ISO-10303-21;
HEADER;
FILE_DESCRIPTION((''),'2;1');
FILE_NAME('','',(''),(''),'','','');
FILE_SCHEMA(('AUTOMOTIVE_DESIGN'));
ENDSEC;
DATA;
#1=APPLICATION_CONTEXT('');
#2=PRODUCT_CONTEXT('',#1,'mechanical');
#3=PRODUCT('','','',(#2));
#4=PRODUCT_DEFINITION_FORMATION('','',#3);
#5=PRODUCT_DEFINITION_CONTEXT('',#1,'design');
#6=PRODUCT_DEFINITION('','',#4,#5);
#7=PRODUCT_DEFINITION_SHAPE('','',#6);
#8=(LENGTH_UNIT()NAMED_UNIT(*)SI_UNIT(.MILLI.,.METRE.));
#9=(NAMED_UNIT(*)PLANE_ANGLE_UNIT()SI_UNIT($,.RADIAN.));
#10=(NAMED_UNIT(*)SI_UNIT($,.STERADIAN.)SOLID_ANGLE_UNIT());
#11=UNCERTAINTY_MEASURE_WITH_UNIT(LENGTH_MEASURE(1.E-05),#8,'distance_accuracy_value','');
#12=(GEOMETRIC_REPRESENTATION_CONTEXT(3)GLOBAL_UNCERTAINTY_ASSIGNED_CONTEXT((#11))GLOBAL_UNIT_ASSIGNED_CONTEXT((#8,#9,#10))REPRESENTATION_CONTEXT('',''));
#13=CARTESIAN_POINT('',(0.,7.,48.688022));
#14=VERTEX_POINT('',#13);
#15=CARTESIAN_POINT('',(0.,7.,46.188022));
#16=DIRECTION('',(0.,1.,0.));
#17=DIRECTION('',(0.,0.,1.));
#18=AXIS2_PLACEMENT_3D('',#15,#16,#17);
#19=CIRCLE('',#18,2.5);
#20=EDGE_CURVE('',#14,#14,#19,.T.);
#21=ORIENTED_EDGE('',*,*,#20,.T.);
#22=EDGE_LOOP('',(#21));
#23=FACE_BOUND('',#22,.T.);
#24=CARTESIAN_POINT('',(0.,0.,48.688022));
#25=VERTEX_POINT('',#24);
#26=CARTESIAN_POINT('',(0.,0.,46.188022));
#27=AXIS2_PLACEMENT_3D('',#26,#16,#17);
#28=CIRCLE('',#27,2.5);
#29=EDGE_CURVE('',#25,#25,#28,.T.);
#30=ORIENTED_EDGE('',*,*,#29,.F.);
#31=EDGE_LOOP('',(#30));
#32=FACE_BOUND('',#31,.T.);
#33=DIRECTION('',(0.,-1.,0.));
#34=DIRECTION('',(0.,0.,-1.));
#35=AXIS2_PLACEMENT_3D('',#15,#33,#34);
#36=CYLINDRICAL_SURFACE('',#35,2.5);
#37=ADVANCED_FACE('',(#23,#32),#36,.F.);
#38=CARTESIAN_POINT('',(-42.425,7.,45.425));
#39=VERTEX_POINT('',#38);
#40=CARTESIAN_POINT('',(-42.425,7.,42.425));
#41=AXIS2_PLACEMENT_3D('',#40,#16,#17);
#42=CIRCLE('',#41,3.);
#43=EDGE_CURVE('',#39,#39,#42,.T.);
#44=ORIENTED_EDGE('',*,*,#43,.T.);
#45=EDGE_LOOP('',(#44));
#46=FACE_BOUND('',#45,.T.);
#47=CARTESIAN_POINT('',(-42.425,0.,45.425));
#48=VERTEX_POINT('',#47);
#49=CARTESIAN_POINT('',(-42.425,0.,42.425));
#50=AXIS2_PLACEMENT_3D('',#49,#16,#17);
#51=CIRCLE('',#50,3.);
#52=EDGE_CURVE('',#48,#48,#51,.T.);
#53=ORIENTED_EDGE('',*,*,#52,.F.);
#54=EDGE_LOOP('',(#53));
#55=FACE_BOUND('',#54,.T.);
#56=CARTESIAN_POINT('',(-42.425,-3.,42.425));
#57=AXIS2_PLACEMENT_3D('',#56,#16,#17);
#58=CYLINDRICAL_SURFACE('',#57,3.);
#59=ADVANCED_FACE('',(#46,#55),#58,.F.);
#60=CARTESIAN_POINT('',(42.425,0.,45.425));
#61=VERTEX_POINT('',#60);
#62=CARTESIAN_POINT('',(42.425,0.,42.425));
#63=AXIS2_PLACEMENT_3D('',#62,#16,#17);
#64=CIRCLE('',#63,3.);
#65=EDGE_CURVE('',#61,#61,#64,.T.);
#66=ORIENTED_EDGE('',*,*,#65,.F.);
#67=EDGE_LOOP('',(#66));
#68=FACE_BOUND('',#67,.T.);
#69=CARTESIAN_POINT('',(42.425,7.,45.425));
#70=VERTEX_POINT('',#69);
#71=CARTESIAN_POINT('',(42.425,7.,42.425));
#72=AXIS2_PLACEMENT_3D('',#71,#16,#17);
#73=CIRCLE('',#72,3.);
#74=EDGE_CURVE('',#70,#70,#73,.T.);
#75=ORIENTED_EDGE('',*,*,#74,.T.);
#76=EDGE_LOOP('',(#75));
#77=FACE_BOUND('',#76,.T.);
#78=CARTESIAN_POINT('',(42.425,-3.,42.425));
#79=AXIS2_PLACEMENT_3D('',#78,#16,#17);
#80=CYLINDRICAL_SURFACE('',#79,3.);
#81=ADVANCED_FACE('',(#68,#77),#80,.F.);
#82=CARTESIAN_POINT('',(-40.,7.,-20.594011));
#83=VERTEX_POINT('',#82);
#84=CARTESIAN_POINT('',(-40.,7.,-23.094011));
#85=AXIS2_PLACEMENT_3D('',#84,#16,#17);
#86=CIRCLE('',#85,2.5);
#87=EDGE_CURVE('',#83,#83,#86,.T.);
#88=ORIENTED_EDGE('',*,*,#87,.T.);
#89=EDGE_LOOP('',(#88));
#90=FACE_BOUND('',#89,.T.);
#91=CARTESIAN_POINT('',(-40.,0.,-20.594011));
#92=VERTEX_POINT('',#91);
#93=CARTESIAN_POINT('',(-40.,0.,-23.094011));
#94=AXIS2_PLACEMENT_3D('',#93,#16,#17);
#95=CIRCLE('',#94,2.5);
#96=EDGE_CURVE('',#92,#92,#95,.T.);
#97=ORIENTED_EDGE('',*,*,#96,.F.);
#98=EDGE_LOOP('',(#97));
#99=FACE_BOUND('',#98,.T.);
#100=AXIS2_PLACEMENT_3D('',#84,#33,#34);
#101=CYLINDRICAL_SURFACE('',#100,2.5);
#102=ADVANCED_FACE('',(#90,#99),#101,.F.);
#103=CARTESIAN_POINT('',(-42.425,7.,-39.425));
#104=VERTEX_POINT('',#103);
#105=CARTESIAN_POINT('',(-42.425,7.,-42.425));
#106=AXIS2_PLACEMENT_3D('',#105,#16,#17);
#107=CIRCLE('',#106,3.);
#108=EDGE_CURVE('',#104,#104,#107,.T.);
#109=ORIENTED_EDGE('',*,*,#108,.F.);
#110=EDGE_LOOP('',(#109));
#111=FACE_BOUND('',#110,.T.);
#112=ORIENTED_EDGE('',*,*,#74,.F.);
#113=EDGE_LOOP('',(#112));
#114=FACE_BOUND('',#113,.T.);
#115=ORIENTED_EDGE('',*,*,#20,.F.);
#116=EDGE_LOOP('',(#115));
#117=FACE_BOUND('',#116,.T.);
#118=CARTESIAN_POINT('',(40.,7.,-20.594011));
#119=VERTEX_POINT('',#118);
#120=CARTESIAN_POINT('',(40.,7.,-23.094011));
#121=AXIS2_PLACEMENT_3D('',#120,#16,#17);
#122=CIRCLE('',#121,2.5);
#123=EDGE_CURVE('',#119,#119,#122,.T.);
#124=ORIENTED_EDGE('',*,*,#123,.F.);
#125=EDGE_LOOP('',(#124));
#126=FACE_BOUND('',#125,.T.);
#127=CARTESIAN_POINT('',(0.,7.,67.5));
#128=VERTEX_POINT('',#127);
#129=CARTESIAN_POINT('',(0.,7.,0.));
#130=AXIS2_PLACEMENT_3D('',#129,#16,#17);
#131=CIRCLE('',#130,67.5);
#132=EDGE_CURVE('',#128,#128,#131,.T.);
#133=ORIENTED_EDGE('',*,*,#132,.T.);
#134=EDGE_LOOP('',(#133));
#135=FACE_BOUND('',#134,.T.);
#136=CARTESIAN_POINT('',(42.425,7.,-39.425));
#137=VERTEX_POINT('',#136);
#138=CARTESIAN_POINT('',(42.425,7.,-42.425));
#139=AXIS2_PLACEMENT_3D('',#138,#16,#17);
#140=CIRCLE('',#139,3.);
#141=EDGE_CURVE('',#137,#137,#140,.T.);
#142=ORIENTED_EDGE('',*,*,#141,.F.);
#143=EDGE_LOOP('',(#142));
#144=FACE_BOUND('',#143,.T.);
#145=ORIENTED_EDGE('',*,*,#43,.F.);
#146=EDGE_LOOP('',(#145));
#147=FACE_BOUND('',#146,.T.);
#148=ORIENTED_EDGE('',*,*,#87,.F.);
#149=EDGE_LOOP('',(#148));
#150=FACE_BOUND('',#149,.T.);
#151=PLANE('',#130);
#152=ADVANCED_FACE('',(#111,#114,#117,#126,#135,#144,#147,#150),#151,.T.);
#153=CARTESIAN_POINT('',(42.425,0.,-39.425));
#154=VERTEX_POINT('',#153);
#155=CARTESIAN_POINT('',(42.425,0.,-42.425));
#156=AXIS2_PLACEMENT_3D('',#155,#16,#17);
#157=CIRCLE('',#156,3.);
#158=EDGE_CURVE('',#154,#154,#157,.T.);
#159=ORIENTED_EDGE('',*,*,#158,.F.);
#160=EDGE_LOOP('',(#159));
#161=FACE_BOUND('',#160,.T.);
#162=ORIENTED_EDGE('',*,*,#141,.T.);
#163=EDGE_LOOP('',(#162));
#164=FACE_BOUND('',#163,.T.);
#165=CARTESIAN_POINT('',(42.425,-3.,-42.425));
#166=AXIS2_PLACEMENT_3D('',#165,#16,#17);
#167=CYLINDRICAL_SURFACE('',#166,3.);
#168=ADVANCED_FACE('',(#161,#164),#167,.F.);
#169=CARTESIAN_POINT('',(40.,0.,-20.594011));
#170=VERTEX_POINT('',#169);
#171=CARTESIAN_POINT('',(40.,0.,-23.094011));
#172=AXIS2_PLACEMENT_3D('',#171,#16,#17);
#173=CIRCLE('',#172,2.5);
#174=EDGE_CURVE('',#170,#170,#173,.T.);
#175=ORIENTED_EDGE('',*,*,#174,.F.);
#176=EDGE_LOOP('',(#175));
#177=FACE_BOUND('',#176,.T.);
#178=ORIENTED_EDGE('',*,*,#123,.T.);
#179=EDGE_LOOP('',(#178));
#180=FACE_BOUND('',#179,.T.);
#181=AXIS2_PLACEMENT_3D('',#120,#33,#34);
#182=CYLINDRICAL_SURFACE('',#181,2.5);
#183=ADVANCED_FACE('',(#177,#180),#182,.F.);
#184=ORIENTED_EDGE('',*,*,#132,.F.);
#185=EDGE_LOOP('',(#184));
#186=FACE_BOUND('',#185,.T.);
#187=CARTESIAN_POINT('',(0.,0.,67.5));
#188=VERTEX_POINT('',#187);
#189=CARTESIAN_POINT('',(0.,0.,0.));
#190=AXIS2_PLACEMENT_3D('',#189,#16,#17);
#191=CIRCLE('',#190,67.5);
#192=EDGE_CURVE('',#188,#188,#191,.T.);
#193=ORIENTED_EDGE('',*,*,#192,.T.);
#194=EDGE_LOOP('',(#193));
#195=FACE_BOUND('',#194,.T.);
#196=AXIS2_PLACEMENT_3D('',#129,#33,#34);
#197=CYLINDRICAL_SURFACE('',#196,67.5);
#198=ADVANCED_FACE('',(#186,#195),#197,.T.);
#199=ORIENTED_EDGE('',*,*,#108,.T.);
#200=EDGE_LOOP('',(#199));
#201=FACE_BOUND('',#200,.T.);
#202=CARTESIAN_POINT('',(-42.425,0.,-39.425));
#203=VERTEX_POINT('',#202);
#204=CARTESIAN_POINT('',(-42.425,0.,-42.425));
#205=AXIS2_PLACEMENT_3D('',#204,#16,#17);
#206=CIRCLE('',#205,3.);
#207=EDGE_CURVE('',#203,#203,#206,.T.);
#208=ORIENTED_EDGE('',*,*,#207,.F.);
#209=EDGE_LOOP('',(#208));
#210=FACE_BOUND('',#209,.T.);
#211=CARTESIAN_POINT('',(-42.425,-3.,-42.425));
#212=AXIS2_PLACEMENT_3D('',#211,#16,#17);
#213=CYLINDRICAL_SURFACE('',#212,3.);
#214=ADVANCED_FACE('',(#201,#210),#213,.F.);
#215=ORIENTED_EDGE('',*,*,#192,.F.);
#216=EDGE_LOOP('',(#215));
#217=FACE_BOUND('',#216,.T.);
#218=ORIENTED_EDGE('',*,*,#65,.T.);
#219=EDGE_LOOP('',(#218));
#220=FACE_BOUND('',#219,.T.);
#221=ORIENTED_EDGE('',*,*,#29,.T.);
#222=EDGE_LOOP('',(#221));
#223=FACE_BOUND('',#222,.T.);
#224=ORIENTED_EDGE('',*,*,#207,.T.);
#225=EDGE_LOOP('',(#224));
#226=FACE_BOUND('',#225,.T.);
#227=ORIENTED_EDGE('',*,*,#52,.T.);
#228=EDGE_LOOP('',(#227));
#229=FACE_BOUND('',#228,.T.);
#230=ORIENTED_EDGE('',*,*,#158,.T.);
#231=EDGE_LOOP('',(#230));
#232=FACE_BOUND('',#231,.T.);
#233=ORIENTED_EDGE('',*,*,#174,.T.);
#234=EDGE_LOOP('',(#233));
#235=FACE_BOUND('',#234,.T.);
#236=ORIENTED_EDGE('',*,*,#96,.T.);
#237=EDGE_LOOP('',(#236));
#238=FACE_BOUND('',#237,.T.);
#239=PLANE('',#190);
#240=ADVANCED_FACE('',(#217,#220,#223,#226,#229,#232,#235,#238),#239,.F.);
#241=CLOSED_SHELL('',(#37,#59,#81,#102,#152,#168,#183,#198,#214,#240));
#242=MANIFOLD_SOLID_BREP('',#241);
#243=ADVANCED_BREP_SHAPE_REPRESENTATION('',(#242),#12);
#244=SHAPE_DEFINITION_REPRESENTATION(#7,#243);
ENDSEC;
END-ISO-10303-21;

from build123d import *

# Parameters (mm, degrees)
SKETCH1_R           = 67.5
SKETCH1_R_2         = 2.5
BOSS_EXTRUDE1_DEPTH = 7
SKETCH3_R           = 3
CUT_EXTRUDE1_DEPTH  = 10


with BuildPart() as part:
    # Sketch1 → Boss-Extrude1 (new body)
    with BuildSketch(Plane(origin=(0, 0, 0), x_dir=(1, 0, 0), z_dir=(0, 1, 0))):
        with Locations(Location((0, 0, 0), (0, 0, 270))):
            Circle(SKETCH1_R)
        with Locations(Location((-40, 23.094010768, 0), (0, 0, 270))):
            Circle(SKETCH1_R_2, mode=Mode.SUBTRACT)
        with Locations(Location((40, 23.094010768, 0), (0, 0, 270))):
            Circle(SKETCH1_R_2, mode=Mode.SUBTRACT)
        with Locations(Location((0, -46.188021535, 0), (0, 0, 270))):
            Circle(SKETCH1_R_2, mode=Mode.SUBTRACT)
    extrude(amount=BOSS_EXTRUDE1_DEPTH)

    # Sketch3 → Cut-Extrude1 (cut)
    with BuildSketch(Plane(origin=(0, 7, 0), x_dir=(1, 0, 0), z_dir=(0, 1, 0))):
        with Locations(Location((42.425, 42.425, 0), (0, 0, 270))):
            Circle(SKETCH3_R)
        with Locations(Location((42.425, -42.425, 0), (0, 0, 270))):
            Circle(SKETCH3_R)
        with Locations(Location((-42.425, -42.425, 0), (0, 0, 270))):
            Circle(SKETCH3_R)
        with Locations(Location((-42.425, 42.425, 0), (0, 0, 270))):
            Circle(SKETCH3_R)
    extrude(amount=-CUT_EXTRUDE1_DEPTH, mode=Mode.SUBTRACT)


solid = part.part
